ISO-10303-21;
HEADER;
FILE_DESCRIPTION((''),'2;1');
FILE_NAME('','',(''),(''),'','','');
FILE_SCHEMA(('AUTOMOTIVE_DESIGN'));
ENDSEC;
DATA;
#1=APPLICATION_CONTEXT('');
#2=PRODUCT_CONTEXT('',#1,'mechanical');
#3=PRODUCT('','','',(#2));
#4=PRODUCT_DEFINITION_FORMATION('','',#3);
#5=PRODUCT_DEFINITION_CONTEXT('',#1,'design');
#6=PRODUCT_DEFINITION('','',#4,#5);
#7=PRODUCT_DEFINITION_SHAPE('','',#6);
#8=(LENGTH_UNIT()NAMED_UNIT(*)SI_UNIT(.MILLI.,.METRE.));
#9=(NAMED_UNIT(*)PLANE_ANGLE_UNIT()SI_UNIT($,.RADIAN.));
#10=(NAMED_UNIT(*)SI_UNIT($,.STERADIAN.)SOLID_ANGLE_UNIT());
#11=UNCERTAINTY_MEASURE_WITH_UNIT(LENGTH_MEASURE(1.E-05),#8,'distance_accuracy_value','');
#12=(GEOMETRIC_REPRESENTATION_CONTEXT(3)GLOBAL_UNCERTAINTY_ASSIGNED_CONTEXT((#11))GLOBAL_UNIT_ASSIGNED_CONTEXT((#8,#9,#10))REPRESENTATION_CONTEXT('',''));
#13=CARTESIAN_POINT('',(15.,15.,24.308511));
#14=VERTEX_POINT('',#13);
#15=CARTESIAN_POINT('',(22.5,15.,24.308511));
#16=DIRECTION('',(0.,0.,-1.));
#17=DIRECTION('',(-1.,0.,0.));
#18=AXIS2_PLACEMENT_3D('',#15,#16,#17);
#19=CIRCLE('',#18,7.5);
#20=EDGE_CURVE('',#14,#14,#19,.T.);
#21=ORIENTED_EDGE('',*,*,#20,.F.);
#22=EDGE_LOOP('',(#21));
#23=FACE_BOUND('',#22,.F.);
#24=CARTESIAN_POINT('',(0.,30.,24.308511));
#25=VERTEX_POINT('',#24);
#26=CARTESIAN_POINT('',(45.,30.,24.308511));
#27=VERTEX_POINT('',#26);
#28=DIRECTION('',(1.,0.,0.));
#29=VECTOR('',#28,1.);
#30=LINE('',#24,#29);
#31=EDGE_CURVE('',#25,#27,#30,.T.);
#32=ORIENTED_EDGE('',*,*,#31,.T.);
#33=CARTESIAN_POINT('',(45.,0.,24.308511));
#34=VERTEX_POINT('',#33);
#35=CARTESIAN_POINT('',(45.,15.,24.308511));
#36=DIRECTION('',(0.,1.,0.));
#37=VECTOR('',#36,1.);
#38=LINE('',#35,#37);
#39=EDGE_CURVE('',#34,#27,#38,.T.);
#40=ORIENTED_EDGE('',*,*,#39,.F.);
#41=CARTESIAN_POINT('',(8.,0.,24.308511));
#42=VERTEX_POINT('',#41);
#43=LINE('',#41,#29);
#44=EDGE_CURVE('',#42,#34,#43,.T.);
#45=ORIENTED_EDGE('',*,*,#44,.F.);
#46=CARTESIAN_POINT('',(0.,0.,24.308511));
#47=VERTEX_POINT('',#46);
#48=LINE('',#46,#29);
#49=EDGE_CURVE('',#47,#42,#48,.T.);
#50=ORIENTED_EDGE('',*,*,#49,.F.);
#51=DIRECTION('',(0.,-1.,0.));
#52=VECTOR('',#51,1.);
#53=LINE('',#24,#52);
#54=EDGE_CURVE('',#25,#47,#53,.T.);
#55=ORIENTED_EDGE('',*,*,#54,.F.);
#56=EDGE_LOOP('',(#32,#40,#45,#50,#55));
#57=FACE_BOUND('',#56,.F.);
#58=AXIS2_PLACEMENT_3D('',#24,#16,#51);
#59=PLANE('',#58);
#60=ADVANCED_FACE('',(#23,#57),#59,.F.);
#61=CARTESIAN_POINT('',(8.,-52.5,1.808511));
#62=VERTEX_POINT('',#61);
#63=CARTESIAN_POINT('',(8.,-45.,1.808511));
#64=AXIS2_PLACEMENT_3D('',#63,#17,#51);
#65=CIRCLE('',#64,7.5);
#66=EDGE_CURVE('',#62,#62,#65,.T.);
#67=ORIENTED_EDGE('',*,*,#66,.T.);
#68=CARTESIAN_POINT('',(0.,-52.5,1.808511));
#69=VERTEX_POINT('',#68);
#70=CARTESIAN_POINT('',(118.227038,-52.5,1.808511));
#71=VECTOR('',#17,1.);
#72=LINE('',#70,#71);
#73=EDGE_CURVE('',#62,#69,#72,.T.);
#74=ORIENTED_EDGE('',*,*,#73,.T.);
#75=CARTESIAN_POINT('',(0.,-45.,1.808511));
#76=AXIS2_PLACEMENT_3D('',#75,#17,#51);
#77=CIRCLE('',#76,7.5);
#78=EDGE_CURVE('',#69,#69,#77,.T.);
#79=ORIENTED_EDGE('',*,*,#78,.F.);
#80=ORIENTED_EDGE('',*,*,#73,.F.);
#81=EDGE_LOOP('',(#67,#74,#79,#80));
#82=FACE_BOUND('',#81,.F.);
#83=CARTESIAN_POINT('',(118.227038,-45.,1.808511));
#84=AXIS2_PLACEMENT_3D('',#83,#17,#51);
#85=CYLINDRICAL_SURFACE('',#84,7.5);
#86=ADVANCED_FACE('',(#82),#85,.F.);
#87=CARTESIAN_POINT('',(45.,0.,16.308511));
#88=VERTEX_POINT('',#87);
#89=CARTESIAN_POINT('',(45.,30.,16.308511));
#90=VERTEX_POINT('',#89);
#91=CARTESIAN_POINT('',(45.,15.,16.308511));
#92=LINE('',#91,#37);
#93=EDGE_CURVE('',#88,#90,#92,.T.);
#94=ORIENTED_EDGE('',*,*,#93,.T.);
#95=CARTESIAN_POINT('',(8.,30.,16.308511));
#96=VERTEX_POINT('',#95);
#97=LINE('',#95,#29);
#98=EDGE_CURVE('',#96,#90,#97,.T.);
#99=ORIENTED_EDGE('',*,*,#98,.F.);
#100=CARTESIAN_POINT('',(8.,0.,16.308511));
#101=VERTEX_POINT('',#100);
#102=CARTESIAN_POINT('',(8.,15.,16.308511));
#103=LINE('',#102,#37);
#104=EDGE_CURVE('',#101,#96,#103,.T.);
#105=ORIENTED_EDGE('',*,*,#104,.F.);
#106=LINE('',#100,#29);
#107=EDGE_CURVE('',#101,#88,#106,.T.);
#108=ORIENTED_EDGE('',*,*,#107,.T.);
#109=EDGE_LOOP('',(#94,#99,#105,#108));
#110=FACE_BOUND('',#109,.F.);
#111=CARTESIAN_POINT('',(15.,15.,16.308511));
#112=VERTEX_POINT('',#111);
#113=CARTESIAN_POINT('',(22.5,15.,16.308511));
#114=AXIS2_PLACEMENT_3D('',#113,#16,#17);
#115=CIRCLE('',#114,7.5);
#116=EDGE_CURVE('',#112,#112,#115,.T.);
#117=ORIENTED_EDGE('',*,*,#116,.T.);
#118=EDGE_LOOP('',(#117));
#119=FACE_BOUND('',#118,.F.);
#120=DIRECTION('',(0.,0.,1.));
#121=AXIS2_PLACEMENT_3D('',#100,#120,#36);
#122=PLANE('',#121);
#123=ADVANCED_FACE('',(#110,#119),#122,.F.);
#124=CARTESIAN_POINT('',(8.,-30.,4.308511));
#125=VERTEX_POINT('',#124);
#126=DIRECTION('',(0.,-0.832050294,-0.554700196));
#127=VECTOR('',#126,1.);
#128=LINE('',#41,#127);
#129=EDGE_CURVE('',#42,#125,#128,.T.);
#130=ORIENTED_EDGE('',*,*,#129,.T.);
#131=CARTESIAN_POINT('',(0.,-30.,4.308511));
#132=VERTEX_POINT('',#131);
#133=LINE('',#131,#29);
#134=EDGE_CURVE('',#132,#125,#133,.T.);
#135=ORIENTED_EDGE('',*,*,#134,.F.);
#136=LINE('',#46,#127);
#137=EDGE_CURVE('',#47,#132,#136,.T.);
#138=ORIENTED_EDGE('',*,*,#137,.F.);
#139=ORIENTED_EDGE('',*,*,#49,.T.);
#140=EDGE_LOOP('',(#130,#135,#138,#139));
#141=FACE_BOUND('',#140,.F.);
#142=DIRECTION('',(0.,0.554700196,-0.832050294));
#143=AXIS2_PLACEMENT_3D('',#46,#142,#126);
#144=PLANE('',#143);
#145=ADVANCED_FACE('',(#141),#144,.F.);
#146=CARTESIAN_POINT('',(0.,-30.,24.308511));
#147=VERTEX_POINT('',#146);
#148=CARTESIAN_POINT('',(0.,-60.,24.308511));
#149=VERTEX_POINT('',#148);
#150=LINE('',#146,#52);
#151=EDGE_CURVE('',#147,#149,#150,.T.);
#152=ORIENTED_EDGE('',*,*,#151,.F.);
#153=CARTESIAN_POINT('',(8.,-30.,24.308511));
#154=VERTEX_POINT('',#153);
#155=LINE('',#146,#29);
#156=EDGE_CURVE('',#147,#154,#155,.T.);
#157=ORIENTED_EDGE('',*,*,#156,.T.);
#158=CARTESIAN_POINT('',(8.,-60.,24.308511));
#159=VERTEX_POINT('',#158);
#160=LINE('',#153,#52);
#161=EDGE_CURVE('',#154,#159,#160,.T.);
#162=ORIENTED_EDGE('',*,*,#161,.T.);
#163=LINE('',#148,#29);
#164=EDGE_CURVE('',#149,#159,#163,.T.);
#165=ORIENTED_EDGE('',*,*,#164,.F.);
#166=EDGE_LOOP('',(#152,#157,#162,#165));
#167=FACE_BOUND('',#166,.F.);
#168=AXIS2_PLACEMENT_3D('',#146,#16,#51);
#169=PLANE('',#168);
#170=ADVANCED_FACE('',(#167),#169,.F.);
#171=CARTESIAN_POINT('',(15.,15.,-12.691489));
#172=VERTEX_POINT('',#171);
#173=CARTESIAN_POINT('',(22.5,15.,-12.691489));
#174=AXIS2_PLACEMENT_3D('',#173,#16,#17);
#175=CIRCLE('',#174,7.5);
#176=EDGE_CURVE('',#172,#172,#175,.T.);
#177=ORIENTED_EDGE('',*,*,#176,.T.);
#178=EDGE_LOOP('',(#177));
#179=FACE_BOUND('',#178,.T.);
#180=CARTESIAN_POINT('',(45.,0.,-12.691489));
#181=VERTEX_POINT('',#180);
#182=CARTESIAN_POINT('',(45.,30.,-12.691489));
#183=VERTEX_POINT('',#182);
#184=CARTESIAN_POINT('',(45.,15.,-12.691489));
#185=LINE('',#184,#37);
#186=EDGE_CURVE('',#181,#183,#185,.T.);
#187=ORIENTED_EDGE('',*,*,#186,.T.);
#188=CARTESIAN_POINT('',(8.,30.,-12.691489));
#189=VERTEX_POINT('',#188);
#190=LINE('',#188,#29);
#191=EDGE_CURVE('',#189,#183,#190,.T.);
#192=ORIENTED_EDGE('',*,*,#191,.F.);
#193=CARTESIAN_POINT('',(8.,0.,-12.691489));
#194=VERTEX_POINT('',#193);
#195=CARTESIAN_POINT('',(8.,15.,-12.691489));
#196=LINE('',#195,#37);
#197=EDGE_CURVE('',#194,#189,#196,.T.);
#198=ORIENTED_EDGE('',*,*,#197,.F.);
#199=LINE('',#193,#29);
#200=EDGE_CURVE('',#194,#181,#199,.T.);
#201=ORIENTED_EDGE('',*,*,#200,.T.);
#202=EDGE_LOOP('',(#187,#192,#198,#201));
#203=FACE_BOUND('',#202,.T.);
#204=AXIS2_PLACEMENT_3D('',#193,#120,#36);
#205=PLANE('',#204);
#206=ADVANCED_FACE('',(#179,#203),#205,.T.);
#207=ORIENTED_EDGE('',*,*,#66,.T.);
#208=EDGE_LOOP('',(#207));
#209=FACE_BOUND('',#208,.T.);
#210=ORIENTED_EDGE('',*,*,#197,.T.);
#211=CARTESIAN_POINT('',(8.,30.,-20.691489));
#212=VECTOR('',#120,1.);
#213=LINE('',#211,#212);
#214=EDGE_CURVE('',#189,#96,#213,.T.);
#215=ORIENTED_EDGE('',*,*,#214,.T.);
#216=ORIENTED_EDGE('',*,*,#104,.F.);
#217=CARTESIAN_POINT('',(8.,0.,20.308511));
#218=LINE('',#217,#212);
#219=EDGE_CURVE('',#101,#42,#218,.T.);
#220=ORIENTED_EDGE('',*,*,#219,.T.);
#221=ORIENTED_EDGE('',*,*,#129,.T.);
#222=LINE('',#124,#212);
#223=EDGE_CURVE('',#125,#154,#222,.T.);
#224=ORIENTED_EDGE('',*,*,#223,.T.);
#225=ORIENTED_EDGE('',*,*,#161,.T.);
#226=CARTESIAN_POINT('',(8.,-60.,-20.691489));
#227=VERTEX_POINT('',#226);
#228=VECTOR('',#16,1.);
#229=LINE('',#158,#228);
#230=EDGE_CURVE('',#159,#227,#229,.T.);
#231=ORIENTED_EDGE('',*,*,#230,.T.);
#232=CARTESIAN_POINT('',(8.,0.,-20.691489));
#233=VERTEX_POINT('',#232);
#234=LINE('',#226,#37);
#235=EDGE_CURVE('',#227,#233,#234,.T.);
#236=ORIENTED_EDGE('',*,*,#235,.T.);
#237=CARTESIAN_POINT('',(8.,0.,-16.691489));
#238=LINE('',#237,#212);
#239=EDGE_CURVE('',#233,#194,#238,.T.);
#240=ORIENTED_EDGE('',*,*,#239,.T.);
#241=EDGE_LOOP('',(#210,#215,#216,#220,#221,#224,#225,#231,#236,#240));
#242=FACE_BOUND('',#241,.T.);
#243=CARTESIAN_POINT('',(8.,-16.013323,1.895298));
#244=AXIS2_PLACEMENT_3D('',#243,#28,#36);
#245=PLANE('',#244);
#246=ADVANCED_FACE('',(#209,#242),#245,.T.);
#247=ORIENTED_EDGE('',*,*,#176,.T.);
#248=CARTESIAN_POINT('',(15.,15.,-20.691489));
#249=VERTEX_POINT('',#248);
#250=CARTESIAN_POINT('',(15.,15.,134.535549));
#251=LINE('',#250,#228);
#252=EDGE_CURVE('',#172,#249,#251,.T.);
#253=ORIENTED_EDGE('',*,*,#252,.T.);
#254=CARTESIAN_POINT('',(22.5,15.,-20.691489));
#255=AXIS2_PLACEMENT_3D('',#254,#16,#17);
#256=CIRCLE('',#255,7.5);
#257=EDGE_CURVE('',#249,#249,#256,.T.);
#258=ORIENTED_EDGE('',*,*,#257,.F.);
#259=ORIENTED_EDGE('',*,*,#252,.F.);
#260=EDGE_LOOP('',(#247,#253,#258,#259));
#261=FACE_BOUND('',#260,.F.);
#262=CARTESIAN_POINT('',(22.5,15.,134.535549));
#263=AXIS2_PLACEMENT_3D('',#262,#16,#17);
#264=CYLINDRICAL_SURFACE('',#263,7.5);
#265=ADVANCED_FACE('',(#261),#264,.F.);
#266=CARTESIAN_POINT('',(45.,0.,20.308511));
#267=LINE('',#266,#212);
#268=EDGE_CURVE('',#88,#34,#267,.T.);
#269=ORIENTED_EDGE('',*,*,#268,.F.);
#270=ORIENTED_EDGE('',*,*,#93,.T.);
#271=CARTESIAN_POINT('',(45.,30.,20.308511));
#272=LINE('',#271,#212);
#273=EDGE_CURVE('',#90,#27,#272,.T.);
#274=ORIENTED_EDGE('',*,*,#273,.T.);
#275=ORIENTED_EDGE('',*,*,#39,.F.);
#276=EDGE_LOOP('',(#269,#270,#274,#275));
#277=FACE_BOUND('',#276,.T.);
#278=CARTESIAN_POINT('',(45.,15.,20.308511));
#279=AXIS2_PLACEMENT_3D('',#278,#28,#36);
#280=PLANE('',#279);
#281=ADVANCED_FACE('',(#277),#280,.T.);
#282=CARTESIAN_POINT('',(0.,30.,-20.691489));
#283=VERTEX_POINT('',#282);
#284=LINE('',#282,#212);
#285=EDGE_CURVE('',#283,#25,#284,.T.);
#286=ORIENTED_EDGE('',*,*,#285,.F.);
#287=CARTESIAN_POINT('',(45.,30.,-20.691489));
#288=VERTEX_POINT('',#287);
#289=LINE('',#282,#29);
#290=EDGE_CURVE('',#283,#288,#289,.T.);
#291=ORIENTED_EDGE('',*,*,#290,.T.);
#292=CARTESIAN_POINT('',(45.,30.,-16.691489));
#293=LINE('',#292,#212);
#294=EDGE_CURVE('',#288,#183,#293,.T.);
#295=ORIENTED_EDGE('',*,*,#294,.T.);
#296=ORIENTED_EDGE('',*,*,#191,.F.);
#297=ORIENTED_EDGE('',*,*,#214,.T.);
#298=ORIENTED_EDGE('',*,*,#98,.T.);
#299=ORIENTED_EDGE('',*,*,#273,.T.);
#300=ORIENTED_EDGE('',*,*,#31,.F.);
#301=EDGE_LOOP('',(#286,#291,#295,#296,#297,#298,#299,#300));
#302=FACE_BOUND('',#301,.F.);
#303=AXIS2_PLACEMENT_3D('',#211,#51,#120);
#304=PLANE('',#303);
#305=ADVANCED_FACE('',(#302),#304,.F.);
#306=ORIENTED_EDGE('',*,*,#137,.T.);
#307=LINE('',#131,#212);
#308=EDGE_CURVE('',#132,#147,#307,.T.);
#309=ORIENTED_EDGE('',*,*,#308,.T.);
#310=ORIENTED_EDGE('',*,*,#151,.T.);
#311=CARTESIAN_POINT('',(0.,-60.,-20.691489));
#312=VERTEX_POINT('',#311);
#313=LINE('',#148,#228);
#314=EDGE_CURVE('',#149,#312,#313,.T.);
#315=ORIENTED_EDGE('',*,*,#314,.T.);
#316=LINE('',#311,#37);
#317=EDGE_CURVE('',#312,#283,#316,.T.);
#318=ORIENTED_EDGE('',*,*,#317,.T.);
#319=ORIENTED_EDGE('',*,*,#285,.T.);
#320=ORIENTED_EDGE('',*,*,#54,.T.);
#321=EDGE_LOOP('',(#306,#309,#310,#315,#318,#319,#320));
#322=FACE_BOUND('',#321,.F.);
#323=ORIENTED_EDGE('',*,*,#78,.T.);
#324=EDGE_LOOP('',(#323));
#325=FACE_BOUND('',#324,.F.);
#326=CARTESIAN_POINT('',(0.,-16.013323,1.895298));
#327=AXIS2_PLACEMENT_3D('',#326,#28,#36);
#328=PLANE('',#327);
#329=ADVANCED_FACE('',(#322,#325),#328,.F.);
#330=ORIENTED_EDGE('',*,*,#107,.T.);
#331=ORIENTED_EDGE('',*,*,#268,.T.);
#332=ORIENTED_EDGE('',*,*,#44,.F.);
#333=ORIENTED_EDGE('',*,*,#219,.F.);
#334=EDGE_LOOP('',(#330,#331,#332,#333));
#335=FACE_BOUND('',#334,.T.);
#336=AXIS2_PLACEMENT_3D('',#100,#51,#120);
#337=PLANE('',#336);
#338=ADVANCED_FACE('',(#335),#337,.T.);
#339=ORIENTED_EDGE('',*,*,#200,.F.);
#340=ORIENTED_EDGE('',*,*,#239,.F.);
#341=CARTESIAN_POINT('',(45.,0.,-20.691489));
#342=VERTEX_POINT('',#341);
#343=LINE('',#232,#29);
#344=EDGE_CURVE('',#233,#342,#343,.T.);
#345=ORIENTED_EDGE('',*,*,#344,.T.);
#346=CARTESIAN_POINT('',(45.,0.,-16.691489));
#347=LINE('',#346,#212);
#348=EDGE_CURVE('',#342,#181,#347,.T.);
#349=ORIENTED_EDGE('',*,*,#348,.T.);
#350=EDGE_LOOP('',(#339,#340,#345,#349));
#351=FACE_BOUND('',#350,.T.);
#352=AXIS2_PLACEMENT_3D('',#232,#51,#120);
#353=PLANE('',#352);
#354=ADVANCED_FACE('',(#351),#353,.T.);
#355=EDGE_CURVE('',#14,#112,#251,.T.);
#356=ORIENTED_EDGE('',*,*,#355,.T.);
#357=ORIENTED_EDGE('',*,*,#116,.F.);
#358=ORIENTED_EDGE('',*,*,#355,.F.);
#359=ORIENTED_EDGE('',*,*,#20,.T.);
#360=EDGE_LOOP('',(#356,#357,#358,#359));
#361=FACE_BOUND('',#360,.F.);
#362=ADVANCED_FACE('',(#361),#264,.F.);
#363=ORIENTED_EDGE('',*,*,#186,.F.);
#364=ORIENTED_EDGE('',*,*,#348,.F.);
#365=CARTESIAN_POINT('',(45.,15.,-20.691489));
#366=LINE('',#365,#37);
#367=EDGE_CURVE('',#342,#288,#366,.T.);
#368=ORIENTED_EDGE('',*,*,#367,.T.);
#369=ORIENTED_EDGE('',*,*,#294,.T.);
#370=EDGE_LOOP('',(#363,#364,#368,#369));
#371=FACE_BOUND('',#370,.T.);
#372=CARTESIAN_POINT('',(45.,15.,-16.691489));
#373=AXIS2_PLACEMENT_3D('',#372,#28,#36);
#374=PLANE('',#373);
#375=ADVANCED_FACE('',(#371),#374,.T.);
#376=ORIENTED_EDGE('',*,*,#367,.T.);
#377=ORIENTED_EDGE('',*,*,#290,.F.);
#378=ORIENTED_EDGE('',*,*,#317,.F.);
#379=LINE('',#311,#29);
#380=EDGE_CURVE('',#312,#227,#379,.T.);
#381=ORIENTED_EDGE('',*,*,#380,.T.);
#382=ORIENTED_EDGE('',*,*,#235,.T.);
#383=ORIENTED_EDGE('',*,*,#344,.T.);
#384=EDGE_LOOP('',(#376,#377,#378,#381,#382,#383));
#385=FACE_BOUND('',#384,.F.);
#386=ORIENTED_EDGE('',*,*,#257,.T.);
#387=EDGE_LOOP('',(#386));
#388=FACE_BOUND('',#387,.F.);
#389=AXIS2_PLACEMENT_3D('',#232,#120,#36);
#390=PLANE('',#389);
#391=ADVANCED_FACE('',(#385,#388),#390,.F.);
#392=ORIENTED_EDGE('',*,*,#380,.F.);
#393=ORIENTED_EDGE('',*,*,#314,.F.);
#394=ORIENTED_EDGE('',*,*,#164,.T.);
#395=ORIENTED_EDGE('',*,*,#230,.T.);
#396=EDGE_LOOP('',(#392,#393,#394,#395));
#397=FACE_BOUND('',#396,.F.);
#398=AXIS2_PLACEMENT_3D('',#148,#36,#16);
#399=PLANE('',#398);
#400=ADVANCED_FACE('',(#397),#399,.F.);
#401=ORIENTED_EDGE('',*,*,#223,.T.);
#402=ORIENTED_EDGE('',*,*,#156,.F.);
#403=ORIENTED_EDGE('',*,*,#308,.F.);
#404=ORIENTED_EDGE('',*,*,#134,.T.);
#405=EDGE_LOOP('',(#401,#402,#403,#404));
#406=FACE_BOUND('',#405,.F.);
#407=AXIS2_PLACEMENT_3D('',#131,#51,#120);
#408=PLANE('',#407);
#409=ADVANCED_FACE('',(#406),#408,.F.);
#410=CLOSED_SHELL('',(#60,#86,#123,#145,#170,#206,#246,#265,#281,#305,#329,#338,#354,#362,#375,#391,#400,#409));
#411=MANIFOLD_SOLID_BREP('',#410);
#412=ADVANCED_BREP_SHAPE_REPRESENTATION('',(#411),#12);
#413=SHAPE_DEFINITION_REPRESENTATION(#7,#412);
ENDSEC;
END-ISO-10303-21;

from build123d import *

# Parameters (mm, degrees)
F1_DEPTH = 8
F2_W     = 30
F2_H     = 8
F3_DEPTH = 37
F5_D     = 15
F7_D     = 15


with BuildPart() as f1:
    # F0 (on Right) → F1 (new body)
    with BuildSketch(Plane.YZ):
        Polygon((-30, 24.308511), (-60, 24.308511), (-60, -20.691489), (30, -20.691489), (30, 24.308511), (0, 24.308511), (-30, 4.308511), align=None)
    extrude(amount=F1_DEPTH)

    # F2 (on face) → F3 (join)
    with BuildSketch(Plane.YZ.offset(8)):
        with Locations((15, -16.691489)):
            Rectangle(F2_W, F2_H)
        with Locations((15, 20.308511)):
            Rectangle(F2_W, F2_H)
    extrude(amount=F3_DEPTH)

    # F5 (through all)
    with Locations(Plane.XY.offset(24.308511)):
        with Locations((22.5, 15)):
            Hole(F5_D / 2)

    # F7 (through all)
    with Locations(Plane.YZ.offset(8)):
        with Locations((-45, 1.808511)):
            Hole(F7_D / 2)


solid = f1.part
